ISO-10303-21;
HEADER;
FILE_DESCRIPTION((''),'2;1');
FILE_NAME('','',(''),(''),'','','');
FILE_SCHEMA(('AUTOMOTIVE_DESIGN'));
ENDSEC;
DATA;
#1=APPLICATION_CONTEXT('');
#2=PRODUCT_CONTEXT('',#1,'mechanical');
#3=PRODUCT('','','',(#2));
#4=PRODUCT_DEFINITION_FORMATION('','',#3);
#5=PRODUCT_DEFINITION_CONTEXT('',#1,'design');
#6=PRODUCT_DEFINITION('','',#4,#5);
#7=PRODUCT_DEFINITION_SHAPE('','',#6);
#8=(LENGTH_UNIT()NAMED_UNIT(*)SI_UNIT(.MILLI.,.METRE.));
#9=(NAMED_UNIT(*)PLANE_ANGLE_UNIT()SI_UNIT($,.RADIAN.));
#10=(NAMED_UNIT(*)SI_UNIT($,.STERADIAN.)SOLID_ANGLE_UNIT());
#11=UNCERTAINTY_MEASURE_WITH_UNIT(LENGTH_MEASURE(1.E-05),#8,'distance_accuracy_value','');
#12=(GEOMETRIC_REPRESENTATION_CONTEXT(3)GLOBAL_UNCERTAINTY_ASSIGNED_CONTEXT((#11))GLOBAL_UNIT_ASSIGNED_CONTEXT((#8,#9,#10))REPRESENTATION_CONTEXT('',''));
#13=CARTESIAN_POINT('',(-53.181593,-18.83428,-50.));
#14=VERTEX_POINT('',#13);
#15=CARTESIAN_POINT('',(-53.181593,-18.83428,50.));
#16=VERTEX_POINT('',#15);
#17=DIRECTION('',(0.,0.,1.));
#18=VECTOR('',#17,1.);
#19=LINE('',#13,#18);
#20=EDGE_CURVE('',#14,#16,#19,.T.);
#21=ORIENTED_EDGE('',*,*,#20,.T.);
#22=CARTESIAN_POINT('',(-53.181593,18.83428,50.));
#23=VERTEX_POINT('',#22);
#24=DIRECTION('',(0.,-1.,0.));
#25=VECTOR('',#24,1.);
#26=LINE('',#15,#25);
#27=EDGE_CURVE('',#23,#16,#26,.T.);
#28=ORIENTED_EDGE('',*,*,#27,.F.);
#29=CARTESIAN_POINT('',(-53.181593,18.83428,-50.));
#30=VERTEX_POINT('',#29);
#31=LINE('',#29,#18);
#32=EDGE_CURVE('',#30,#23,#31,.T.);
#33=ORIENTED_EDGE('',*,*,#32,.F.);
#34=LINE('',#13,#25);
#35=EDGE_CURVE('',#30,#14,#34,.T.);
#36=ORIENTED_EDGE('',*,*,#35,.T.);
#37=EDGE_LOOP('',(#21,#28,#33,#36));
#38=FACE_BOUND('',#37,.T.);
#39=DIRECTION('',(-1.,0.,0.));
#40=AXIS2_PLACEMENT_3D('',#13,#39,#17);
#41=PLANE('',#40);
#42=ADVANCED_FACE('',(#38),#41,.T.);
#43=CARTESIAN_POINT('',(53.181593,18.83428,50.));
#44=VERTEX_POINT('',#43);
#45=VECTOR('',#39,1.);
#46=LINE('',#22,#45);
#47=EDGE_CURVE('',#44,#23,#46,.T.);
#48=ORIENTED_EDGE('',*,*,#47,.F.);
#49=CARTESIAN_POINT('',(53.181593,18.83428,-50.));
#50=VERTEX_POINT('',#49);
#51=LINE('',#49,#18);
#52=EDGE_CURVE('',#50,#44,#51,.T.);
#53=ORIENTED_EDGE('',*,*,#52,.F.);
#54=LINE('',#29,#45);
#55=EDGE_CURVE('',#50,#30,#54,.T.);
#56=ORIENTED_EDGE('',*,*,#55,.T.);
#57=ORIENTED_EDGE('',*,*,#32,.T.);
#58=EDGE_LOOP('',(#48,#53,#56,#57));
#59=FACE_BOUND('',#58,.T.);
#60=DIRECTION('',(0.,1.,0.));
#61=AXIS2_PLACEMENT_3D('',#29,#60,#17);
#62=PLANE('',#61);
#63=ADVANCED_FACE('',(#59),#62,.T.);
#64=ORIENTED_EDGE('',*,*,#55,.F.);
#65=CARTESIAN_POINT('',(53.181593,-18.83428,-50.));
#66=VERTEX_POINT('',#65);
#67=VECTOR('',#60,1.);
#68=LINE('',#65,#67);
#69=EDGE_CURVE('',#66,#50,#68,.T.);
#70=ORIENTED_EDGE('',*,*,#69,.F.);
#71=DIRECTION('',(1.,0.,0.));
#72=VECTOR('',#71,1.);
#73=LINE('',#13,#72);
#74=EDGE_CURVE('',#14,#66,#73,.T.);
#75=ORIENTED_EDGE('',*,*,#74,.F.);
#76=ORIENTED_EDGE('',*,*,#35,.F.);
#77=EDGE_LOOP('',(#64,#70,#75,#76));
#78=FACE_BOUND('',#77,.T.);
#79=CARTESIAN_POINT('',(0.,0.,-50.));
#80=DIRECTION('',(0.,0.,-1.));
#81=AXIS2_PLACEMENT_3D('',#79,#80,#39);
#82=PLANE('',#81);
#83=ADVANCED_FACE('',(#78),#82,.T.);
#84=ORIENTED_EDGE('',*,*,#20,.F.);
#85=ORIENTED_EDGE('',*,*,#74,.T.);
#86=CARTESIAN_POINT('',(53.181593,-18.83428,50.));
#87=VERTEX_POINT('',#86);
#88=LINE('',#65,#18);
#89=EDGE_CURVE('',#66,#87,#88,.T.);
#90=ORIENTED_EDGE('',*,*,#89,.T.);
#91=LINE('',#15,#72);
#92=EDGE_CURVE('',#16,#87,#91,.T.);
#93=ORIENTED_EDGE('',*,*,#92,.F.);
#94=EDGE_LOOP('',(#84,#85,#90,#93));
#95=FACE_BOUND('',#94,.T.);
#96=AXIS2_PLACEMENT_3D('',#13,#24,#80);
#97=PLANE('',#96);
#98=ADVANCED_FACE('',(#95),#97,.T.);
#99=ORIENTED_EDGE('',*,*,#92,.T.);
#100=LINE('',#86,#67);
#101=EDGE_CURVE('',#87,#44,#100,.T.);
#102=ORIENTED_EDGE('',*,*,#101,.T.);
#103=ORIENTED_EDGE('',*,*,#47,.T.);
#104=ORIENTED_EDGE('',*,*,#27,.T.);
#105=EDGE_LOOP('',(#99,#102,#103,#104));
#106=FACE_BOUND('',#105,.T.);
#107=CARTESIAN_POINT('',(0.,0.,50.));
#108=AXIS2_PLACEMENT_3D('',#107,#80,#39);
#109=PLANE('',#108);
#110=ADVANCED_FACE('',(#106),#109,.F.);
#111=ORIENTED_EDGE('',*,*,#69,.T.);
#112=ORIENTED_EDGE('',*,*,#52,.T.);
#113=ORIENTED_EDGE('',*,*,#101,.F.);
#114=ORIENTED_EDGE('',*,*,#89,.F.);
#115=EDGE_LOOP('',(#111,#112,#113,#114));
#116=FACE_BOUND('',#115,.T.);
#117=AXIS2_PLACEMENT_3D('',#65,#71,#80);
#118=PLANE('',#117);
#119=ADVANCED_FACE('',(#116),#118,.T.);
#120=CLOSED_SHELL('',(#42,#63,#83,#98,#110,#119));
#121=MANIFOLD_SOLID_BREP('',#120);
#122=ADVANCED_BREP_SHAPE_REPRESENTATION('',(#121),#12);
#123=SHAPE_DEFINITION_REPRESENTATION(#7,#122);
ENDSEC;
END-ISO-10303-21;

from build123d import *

# Parameters (mm, degrees)
SKETCH1_W           = 106.363185058
SKETCH1_H           = 37.668560522
BOSS_EXTRUDE1_DEPTH = 50


with BuildPart() as part:
    # Sketch1 → Boss-Extrude1 (new, symmetric)
    with BuildSketch(Plane.XY):
        Rectangle(SKETCH1_W, SKETCH1_H)
    extrude(amount=BOSS_EXTRUDE1_DEPTH, both=True)


solid = part.part
